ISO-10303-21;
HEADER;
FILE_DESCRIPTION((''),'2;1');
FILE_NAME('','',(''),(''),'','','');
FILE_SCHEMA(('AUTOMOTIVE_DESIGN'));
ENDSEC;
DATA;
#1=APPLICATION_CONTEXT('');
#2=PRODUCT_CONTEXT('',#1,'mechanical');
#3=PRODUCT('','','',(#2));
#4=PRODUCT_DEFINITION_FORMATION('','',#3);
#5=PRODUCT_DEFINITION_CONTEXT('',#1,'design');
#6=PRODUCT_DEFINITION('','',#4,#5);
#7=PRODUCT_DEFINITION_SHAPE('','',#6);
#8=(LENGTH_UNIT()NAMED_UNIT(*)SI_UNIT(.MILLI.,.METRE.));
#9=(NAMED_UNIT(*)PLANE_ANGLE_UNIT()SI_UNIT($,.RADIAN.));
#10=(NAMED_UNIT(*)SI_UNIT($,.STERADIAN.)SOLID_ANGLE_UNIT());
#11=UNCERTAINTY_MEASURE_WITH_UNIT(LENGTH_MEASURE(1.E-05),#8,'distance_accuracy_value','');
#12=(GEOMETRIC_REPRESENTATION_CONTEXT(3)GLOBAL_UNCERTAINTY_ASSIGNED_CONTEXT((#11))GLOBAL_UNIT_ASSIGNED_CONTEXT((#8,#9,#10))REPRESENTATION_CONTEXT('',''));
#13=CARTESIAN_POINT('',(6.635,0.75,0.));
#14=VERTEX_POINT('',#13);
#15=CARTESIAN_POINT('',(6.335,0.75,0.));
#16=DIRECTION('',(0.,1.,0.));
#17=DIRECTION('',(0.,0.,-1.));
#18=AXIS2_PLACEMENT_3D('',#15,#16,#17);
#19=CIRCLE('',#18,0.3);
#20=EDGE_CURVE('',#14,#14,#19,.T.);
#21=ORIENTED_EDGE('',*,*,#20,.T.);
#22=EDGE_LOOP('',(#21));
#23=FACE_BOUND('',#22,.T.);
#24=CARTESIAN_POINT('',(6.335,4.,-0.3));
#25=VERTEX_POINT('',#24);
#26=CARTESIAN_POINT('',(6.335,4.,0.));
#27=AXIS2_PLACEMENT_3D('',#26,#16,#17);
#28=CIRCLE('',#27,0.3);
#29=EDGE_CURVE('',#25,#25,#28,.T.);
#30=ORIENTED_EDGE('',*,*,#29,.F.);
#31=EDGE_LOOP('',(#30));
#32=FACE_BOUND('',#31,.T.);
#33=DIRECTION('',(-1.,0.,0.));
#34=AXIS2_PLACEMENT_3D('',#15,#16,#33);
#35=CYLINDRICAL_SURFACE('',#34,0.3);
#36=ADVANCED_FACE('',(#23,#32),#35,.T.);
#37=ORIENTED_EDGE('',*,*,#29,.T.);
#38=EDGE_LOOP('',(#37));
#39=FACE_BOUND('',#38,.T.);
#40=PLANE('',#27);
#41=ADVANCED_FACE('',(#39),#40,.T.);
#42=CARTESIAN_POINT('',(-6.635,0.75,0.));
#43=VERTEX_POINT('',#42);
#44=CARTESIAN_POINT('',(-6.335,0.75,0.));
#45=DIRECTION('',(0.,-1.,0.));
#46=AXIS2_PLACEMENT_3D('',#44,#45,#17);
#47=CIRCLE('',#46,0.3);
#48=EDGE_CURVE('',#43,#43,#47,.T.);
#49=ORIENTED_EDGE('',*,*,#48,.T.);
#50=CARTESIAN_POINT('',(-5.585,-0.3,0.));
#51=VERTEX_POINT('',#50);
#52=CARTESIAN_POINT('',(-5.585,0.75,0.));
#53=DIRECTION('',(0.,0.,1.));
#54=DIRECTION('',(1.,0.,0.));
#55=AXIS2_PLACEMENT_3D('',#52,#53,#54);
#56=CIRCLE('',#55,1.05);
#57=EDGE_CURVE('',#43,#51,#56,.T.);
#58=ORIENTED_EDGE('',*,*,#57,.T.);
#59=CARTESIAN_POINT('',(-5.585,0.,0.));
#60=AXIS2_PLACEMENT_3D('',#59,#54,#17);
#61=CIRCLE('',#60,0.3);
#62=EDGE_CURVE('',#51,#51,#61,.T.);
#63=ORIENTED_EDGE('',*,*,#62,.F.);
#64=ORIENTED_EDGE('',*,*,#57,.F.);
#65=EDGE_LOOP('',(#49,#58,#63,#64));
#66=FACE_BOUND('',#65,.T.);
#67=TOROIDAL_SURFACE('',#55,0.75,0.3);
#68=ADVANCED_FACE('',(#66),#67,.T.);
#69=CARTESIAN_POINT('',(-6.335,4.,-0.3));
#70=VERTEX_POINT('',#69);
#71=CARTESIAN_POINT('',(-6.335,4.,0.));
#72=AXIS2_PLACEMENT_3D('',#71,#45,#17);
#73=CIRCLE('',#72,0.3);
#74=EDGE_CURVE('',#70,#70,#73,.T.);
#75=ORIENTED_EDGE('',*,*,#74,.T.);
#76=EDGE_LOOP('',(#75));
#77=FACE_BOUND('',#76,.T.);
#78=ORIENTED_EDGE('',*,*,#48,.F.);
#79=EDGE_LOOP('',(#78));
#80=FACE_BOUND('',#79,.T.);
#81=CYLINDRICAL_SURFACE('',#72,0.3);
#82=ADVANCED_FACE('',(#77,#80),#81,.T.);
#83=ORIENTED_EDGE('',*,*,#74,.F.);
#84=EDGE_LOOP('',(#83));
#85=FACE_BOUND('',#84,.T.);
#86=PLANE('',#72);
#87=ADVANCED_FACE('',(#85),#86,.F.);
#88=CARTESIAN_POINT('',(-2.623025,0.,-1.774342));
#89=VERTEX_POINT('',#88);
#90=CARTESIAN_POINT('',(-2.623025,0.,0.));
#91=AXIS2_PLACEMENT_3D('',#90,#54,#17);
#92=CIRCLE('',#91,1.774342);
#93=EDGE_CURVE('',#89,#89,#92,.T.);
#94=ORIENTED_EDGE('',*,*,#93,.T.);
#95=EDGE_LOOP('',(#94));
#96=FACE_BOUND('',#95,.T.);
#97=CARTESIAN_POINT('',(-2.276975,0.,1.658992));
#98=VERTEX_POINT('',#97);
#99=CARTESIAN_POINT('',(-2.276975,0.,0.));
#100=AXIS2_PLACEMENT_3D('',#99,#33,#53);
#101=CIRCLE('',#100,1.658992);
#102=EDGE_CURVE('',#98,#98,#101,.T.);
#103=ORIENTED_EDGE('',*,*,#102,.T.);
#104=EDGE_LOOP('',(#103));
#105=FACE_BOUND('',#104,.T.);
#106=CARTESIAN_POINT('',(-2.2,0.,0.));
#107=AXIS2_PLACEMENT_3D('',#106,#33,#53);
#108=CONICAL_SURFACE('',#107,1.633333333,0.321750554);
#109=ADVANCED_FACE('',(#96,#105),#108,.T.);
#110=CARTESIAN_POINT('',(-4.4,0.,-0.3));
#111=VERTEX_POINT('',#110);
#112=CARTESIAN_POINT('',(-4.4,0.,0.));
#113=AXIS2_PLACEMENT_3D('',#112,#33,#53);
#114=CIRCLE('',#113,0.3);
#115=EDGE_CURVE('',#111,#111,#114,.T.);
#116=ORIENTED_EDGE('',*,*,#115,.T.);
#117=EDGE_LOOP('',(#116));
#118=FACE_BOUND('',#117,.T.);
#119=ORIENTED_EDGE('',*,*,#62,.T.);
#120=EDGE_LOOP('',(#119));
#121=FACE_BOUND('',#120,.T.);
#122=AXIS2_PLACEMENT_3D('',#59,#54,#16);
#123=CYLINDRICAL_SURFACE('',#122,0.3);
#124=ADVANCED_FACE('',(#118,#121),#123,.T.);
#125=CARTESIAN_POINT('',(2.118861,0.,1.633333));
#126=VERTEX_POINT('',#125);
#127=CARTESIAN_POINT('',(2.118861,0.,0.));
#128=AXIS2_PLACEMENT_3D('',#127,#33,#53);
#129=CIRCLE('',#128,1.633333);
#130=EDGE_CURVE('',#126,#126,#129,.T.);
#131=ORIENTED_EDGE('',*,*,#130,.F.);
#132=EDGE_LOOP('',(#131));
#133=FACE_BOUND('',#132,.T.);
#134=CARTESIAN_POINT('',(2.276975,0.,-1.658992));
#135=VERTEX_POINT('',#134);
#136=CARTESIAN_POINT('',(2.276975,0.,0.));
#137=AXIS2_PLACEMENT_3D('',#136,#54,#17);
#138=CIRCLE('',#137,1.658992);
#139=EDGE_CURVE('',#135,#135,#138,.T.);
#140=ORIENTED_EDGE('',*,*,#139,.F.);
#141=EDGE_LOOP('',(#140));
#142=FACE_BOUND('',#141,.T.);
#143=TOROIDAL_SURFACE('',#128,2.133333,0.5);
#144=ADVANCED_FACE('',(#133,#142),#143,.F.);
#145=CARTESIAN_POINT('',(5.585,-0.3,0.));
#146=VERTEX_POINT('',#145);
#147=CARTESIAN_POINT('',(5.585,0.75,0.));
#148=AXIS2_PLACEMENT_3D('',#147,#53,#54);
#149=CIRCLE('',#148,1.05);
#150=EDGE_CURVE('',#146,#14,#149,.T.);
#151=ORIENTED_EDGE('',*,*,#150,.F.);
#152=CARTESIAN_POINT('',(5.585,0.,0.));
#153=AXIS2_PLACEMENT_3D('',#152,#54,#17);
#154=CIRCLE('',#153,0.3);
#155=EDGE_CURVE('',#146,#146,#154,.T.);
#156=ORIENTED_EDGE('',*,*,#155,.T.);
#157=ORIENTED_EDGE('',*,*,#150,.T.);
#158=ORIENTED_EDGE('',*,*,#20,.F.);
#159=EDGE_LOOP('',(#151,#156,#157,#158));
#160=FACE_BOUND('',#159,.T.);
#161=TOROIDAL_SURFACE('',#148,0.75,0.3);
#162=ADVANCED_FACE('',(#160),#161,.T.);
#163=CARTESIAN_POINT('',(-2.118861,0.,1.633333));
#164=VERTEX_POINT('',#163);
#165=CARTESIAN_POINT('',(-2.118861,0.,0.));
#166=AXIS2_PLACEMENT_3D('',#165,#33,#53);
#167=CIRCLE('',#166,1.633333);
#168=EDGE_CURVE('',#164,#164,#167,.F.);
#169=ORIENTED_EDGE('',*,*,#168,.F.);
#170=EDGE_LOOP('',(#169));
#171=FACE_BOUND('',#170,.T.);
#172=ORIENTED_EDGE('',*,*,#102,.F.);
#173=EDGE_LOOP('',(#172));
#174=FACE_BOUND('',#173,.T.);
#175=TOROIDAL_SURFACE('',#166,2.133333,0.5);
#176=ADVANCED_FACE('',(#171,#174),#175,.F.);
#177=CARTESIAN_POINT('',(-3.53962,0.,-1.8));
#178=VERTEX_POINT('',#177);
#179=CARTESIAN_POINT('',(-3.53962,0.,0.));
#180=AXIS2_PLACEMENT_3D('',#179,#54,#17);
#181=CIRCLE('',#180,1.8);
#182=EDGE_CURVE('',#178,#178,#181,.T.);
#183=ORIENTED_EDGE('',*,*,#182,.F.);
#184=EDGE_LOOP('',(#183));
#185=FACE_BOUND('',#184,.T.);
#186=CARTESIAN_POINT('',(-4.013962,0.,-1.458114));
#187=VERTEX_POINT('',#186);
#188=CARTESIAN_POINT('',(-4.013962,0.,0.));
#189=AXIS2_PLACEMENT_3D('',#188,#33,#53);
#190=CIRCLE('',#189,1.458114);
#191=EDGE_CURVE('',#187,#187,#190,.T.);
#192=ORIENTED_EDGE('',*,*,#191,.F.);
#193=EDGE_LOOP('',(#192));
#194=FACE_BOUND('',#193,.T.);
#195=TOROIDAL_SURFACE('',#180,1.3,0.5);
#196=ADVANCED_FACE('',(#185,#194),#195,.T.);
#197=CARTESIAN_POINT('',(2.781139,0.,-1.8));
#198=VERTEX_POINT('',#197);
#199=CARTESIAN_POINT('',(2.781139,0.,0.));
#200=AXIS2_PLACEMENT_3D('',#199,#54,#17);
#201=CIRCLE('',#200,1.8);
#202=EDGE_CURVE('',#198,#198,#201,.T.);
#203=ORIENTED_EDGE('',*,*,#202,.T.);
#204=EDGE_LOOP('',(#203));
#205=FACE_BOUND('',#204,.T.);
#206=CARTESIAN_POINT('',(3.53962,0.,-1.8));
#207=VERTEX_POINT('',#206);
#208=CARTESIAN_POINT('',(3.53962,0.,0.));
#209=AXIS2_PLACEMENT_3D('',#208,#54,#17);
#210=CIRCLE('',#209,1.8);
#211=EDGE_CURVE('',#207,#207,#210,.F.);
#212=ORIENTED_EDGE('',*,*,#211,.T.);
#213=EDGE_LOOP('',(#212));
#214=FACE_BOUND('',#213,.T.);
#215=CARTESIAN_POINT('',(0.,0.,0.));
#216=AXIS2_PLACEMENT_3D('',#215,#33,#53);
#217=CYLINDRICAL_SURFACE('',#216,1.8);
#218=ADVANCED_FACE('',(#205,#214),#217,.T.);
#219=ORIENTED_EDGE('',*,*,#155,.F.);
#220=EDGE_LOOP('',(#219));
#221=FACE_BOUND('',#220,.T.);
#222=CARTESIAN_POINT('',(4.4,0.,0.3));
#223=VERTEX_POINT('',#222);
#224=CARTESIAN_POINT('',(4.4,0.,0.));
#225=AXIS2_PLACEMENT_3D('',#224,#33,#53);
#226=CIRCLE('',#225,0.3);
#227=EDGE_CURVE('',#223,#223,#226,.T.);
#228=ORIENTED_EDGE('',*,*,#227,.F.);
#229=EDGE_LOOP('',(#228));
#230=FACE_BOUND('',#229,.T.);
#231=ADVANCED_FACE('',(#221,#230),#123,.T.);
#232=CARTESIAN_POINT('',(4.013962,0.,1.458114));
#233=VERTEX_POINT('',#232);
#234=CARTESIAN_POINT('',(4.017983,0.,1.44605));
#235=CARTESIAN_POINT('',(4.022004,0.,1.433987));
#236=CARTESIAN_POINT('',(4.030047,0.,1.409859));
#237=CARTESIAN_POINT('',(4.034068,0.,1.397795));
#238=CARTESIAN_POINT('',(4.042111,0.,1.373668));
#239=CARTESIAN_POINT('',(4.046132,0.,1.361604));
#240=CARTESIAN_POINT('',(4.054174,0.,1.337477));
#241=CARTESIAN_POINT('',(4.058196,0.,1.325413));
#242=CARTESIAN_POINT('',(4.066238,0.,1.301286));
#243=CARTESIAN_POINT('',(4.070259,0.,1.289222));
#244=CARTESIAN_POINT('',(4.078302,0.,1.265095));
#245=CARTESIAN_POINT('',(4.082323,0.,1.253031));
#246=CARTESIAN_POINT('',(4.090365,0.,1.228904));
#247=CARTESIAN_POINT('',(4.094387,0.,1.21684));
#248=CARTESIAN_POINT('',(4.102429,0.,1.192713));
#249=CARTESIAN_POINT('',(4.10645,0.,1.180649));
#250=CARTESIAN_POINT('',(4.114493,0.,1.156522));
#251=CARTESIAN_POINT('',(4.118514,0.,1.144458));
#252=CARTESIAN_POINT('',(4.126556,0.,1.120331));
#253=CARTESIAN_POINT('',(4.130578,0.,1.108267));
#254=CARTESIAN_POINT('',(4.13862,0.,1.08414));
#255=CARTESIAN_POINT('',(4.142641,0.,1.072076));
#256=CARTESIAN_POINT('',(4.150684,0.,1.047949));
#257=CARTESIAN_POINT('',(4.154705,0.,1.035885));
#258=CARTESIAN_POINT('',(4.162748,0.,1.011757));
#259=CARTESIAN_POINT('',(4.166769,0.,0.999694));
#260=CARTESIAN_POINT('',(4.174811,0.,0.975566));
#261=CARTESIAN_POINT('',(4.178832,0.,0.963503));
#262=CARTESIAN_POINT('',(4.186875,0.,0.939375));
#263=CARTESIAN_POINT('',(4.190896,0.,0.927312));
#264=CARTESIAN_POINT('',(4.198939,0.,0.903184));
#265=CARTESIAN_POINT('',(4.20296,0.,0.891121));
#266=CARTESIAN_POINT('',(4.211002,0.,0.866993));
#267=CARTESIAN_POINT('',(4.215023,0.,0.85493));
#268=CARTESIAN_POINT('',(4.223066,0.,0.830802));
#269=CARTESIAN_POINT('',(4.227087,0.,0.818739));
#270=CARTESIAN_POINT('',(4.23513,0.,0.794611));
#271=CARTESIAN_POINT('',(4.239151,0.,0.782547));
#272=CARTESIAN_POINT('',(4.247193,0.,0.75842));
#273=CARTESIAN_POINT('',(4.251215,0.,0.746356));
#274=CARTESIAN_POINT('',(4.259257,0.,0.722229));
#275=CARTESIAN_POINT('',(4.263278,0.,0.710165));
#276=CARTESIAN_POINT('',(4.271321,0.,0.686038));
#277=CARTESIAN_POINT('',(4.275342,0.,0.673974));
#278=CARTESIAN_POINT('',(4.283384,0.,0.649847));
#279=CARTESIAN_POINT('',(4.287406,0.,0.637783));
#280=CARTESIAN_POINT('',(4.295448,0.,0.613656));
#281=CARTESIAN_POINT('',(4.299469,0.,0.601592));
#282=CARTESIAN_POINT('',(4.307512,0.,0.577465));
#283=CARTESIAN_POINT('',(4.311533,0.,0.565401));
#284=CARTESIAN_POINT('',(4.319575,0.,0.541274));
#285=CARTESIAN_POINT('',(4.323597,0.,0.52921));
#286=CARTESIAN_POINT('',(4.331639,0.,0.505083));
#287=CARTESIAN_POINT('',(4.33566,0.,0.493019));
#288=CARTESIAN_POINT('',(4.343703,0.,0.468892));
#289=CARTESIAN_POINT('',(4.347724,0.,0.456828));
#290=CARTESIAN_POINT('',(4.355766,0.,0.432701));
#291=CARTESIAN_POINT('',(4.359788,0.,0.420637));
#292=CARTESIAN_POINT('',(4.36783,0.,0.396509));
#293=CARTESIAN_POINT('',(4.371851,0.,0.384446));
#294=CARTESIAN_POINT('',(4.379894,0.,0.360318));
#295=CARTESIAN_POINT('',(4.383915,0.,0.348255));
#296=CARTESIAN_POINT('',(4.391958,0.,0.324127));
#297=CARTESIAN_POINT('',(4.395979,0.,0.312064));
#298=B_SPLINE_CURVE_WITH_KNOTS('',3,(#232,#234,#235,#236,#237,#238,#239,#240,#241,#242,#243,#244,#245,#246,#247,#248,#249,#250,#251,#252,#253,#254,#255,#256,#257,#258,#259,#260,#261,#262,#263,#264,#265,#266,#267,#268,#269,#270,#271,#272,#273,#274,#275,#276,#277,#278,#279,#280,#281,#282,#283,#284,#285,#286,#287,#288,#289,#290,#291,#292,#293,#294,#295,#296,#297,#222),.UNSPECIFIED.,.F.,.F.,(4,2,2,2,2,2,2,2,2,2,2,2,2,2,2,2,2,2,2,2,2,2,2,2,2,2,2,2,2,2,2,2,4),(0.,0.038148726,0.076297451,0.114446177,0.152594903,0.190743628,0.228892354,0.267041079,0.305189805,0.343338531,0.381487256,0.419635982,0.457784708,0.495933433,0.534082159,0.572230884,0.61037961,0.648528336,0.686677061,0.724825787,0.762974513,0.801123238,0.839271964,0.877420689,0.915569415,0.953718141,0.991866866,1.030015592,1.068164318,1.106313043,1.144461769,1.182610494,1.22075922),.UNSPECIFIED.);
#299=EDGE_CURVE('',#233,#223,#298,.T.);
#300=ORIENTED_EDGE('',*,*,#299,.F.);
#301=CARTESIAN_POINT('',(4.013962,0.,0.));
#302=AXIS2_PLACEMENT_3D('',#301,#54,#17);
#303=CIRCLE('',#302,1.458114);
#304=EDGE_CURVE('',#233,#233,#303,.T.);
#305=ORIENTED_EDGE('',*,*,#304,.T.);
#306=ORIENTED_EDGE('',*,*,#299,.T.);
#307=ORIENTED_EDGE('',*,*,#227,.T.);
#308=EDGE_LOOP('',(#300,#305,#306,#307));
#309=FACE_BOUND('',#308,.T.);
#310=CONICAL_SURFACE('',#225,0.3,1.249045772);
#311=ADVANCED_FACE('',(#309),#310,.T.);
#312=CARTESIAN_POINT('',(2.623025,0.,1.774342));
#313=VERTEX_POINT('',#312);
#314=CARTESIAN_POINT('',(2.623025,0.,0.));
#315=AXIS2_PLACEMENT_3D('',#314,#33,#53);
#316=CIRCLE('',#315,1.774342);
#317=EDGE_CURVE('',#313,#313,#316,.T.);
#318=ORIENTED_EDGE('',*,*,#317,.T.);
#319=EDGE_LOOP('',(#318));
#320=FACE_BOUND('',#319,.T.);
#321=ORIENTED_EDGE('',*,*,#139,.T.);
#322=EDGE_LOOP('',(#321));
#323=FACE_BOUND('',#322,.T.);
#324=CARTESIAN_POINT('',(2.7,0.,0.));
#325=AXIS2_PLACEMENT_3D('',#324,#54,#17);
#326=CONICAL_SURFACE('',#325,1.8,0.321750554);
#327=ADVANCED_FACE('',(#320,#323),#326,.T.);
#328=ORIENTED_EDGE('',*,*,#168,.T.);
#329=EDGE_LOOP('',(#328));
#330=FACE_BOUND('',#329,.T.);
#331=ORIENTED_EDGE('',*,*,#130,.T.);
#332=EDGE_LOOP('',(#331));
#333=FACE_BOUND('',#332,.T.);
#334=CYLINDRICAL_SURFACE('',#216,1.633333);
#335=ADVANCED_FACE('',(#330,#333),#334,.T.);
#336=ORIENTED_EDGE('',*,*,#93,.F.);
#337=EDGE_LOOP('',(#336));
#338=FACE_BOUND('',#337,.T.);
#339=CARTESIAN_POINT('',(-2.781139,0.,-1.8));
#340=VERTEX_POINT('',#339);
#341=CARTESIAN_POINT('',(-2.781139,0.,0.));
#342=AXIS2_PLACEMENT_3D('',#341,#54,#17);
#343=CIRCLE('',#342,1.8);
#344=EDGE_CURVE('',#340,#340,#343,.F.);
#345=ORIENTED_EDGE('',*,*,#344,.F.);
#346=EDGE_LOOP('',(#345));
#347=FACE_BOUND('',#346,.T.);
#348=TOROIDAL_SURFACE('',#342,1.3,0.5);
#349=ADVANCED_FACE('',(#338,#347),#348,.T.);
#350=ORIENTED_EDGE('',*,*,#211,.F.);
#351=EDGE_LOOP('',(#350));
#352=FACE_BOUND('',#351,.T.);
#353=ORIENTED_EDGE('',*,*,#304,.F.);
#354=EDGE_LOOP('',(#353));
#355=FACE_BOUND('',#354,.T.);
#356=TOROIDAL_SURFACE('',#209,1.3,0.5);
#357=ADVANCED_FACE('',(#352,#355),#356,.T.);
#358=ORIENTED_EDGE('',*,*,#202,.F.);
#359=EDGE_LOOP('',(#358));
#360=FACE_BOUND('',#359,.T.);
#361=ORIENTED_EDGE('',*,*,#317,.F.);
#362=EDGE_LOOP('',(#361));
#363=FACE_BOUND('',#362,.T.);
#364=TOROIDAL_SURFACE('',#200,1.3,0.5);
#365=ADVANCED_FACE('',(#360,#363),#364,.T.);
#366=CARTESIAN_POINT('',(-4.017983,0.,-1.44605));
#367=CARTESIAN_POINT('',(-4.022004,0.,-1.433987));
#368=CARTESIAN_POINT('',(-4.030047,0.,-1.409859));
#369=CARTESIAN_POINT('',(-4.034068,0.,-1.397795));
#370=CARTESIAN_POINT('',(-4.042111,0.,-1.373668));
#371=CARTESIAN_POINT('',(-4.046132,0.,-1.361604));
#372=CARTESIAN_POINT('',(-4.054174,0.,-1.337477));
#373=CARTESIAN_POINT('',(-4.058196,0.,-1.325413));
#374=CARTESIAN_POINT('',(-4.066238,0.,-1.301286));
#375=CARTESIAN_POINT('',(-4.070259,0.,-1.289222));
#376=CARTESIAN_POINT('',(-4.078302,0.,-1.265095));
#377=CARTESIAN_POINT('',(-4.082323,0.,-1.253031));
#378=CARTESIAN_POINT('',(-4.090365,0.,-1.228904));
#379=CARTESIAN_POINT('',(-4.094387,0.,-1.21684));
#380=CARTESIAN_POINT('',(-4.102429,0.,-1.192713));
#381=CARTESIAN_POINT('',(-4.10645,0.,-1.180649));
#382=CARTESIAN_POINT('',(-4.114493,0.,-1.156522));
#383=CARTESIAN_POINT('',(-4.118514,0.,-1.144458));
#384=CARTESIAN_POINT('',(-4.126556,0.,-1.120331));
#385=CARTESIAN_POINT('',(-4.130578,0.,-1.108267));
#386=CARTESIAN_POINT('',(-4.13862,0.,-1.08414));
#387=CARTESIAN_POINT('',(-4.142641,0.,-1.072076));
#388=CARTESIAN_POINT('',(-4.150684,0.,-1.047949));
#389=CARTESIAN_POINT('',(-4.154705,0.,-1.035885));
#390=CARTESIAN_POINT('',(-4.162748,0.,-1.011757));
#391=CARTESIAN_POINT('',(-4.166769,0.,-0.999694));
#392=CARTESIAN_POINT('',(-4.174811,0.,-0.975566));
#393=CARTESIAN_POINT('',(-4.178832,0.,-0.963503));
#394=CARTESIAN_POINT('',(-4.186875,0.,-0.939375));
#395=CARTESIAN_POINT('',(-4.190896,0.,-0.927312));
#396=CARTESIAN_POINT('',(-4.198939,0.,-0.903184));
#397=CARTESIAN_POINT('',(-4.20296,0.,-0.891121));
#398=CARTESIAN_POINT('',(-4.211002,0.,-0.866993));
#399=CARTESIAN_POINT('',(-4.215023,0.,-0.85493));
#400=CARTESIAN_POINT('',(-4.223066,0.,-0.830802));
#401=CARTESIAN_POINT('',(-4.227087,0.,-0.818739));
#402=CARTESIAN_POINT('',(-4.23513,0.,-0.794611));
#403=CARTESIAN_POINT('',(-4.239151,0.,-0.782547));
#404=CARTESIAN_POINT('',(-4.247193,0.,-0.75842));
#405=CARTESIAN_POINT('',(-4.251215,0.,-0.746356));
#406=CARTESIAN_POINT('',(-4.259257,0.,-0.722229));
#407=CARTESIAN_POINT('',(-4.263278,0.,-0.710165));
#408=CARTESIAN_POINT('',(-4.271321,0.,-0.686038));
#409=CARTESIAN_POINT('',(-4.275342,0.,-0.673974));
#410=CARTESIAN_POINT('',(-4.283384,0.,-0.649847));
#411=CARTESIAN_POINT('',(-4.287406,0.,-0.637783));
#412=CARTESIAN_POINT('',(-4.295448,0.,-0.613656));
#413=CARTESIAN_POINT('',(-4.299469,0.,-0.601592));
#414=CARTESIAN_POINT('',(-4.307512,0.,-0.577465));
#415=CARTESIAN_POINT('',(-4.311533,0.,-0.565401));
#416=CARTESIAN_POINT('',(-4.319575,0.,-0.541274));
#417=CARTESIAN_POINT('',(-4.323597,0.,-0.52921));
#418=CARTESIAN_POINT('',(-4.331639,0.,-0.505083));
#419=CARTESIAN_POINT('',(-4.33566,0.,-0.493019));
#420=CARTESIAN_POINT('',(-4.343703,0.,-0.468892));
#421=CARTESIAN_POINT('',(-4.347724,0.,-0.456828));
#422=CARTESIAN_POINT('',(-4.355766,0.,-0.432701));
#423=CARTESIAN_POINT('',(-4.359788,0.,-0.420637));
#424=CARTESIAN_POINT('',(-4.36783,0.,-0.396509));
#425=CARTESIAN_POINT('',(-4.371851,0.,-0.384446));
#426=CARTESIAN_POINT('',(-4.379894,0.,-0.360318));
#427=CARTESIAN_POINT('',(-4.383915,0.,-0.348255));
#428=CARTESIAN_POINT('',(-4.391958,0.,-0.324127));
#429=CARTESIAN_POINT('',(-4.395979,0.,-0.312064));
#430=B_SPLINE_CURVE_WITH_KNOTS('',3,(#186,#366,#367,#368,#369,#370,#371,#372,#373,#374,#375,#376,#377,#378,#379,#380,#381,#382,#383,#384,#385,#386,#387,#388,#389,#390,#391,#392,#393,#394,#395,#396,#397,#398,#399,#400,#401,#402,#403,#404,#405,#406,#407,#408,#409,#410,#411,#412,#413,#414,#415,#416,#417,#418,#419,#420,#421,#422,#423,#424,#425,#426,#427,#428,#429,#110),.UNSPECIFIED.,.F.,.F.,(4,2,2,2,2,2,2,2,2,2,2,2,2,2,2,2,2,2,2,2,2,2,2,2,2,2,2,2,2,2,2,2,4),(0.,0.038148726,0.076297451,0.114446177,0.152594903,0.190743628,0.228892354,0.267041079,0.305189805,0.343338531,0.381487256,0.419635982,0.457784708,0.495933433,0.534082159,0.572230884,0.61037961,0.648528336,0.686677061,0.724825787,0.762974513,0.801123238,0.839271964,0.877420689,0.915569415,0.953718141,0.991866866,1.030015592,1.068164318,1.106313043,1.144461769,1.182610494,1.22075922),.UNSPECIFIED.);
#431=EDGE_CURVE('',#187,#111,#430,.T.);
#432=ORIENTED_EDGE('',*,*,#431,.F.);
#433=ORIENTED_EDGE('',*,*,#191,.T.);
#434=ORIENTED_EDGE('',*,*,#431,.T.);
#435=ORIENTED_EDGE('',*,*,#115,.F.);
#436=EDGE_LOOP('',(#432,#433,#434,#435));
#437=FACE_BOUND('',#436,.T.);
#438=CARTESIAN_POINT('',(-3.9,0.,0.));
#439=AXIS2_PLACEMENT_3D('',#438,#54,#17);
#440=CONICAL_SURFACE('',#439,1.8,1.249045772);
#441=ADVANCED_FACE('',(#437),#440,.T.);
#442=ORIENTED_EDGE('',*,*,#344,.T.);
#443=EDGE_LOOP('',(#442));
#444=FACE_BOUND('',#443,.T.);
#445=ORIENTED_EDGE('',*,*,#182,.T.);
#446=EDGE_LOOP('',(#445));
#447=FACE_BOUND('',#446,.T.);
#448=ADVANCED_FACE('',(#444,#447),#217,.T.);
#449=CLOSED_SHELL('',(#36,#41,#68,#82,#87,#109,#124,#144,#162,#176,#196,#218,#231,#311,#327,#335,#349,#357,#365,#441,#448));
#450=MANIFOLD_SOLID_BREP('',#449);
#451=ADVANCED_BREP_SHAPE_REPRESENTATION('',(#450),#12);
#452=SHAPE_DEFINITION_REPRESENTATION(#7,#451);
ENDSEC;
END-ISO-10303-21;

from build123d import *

# Parameters (mm, degrees)
FILLET1_R = 0.5
SKETCH4_R = 0.3


with BuildPart() as part:
    # Sketch1 → Revolve1 (revolve)
    with BuildSketch(Plane.XY, mode=Mode.PRIVATE) as revolve1_sk:
        Polygon((0, 0), (4.4, 0), (4.4, 0.3), (3.9, 1.8), (2.7, 1.8), (2.2, 1.633333333), (-2.2, 1.633333333), (-2.7, 1.8), (-3.9, 1.8), (-4.4, 0.3), (-4.4, 0), align=None)
    revolve(revolve1_sk.sketch.rotate(Axis((0, 0, 0), (1, 0, 0)), 90), axis=Axis((0, 0, 0), (1, 0, 0)))

    # Fillet1
    fillet1_edges = [part.edges().sort_by_distance(p)[0] for p in [
        (2.7, 0, -1.8),
        (3.9, 0, -1.8),
        (-3.9, 0, -1.8),
        (-2.7, 0, -1.8),
        (-2.2, 0, -1.633333333),
        (2.2, 0, -1.633333333),
    ]]
    fillet(fillet1_edges, radius=FILLET1_R)

    # Sweep1: sweep along a path in Sketch6
    with BuildLine(Plane.XY) as sweep1_path:
        Line((6.335, 4), (6.335, 0.75))
        ThreePointArc((6.335, 0.75), (6.115330086, 0.219669914), (5.585, 0))
        Line((5.585, 0), (4.4, 0))
        Line((4.4, 0), (-5.585, 0))
        ThreePointArc((-5.585, 0), (-6.115330086, 0.219669914), (-6.335, 0.75))
        Line((-6.335, 0.75), (-6.335, 4))
    # Sketch4 → Sweep1 (sweep)
    with BuildSketch(Plane(origin=(4.4, 0, 0), x_dir=(0, 0, -1), z_dir=(1, 0, 0))):
        Circle(SKETCH4_R)
    sweep(path=sweep1_path.line)


solid = part.part
